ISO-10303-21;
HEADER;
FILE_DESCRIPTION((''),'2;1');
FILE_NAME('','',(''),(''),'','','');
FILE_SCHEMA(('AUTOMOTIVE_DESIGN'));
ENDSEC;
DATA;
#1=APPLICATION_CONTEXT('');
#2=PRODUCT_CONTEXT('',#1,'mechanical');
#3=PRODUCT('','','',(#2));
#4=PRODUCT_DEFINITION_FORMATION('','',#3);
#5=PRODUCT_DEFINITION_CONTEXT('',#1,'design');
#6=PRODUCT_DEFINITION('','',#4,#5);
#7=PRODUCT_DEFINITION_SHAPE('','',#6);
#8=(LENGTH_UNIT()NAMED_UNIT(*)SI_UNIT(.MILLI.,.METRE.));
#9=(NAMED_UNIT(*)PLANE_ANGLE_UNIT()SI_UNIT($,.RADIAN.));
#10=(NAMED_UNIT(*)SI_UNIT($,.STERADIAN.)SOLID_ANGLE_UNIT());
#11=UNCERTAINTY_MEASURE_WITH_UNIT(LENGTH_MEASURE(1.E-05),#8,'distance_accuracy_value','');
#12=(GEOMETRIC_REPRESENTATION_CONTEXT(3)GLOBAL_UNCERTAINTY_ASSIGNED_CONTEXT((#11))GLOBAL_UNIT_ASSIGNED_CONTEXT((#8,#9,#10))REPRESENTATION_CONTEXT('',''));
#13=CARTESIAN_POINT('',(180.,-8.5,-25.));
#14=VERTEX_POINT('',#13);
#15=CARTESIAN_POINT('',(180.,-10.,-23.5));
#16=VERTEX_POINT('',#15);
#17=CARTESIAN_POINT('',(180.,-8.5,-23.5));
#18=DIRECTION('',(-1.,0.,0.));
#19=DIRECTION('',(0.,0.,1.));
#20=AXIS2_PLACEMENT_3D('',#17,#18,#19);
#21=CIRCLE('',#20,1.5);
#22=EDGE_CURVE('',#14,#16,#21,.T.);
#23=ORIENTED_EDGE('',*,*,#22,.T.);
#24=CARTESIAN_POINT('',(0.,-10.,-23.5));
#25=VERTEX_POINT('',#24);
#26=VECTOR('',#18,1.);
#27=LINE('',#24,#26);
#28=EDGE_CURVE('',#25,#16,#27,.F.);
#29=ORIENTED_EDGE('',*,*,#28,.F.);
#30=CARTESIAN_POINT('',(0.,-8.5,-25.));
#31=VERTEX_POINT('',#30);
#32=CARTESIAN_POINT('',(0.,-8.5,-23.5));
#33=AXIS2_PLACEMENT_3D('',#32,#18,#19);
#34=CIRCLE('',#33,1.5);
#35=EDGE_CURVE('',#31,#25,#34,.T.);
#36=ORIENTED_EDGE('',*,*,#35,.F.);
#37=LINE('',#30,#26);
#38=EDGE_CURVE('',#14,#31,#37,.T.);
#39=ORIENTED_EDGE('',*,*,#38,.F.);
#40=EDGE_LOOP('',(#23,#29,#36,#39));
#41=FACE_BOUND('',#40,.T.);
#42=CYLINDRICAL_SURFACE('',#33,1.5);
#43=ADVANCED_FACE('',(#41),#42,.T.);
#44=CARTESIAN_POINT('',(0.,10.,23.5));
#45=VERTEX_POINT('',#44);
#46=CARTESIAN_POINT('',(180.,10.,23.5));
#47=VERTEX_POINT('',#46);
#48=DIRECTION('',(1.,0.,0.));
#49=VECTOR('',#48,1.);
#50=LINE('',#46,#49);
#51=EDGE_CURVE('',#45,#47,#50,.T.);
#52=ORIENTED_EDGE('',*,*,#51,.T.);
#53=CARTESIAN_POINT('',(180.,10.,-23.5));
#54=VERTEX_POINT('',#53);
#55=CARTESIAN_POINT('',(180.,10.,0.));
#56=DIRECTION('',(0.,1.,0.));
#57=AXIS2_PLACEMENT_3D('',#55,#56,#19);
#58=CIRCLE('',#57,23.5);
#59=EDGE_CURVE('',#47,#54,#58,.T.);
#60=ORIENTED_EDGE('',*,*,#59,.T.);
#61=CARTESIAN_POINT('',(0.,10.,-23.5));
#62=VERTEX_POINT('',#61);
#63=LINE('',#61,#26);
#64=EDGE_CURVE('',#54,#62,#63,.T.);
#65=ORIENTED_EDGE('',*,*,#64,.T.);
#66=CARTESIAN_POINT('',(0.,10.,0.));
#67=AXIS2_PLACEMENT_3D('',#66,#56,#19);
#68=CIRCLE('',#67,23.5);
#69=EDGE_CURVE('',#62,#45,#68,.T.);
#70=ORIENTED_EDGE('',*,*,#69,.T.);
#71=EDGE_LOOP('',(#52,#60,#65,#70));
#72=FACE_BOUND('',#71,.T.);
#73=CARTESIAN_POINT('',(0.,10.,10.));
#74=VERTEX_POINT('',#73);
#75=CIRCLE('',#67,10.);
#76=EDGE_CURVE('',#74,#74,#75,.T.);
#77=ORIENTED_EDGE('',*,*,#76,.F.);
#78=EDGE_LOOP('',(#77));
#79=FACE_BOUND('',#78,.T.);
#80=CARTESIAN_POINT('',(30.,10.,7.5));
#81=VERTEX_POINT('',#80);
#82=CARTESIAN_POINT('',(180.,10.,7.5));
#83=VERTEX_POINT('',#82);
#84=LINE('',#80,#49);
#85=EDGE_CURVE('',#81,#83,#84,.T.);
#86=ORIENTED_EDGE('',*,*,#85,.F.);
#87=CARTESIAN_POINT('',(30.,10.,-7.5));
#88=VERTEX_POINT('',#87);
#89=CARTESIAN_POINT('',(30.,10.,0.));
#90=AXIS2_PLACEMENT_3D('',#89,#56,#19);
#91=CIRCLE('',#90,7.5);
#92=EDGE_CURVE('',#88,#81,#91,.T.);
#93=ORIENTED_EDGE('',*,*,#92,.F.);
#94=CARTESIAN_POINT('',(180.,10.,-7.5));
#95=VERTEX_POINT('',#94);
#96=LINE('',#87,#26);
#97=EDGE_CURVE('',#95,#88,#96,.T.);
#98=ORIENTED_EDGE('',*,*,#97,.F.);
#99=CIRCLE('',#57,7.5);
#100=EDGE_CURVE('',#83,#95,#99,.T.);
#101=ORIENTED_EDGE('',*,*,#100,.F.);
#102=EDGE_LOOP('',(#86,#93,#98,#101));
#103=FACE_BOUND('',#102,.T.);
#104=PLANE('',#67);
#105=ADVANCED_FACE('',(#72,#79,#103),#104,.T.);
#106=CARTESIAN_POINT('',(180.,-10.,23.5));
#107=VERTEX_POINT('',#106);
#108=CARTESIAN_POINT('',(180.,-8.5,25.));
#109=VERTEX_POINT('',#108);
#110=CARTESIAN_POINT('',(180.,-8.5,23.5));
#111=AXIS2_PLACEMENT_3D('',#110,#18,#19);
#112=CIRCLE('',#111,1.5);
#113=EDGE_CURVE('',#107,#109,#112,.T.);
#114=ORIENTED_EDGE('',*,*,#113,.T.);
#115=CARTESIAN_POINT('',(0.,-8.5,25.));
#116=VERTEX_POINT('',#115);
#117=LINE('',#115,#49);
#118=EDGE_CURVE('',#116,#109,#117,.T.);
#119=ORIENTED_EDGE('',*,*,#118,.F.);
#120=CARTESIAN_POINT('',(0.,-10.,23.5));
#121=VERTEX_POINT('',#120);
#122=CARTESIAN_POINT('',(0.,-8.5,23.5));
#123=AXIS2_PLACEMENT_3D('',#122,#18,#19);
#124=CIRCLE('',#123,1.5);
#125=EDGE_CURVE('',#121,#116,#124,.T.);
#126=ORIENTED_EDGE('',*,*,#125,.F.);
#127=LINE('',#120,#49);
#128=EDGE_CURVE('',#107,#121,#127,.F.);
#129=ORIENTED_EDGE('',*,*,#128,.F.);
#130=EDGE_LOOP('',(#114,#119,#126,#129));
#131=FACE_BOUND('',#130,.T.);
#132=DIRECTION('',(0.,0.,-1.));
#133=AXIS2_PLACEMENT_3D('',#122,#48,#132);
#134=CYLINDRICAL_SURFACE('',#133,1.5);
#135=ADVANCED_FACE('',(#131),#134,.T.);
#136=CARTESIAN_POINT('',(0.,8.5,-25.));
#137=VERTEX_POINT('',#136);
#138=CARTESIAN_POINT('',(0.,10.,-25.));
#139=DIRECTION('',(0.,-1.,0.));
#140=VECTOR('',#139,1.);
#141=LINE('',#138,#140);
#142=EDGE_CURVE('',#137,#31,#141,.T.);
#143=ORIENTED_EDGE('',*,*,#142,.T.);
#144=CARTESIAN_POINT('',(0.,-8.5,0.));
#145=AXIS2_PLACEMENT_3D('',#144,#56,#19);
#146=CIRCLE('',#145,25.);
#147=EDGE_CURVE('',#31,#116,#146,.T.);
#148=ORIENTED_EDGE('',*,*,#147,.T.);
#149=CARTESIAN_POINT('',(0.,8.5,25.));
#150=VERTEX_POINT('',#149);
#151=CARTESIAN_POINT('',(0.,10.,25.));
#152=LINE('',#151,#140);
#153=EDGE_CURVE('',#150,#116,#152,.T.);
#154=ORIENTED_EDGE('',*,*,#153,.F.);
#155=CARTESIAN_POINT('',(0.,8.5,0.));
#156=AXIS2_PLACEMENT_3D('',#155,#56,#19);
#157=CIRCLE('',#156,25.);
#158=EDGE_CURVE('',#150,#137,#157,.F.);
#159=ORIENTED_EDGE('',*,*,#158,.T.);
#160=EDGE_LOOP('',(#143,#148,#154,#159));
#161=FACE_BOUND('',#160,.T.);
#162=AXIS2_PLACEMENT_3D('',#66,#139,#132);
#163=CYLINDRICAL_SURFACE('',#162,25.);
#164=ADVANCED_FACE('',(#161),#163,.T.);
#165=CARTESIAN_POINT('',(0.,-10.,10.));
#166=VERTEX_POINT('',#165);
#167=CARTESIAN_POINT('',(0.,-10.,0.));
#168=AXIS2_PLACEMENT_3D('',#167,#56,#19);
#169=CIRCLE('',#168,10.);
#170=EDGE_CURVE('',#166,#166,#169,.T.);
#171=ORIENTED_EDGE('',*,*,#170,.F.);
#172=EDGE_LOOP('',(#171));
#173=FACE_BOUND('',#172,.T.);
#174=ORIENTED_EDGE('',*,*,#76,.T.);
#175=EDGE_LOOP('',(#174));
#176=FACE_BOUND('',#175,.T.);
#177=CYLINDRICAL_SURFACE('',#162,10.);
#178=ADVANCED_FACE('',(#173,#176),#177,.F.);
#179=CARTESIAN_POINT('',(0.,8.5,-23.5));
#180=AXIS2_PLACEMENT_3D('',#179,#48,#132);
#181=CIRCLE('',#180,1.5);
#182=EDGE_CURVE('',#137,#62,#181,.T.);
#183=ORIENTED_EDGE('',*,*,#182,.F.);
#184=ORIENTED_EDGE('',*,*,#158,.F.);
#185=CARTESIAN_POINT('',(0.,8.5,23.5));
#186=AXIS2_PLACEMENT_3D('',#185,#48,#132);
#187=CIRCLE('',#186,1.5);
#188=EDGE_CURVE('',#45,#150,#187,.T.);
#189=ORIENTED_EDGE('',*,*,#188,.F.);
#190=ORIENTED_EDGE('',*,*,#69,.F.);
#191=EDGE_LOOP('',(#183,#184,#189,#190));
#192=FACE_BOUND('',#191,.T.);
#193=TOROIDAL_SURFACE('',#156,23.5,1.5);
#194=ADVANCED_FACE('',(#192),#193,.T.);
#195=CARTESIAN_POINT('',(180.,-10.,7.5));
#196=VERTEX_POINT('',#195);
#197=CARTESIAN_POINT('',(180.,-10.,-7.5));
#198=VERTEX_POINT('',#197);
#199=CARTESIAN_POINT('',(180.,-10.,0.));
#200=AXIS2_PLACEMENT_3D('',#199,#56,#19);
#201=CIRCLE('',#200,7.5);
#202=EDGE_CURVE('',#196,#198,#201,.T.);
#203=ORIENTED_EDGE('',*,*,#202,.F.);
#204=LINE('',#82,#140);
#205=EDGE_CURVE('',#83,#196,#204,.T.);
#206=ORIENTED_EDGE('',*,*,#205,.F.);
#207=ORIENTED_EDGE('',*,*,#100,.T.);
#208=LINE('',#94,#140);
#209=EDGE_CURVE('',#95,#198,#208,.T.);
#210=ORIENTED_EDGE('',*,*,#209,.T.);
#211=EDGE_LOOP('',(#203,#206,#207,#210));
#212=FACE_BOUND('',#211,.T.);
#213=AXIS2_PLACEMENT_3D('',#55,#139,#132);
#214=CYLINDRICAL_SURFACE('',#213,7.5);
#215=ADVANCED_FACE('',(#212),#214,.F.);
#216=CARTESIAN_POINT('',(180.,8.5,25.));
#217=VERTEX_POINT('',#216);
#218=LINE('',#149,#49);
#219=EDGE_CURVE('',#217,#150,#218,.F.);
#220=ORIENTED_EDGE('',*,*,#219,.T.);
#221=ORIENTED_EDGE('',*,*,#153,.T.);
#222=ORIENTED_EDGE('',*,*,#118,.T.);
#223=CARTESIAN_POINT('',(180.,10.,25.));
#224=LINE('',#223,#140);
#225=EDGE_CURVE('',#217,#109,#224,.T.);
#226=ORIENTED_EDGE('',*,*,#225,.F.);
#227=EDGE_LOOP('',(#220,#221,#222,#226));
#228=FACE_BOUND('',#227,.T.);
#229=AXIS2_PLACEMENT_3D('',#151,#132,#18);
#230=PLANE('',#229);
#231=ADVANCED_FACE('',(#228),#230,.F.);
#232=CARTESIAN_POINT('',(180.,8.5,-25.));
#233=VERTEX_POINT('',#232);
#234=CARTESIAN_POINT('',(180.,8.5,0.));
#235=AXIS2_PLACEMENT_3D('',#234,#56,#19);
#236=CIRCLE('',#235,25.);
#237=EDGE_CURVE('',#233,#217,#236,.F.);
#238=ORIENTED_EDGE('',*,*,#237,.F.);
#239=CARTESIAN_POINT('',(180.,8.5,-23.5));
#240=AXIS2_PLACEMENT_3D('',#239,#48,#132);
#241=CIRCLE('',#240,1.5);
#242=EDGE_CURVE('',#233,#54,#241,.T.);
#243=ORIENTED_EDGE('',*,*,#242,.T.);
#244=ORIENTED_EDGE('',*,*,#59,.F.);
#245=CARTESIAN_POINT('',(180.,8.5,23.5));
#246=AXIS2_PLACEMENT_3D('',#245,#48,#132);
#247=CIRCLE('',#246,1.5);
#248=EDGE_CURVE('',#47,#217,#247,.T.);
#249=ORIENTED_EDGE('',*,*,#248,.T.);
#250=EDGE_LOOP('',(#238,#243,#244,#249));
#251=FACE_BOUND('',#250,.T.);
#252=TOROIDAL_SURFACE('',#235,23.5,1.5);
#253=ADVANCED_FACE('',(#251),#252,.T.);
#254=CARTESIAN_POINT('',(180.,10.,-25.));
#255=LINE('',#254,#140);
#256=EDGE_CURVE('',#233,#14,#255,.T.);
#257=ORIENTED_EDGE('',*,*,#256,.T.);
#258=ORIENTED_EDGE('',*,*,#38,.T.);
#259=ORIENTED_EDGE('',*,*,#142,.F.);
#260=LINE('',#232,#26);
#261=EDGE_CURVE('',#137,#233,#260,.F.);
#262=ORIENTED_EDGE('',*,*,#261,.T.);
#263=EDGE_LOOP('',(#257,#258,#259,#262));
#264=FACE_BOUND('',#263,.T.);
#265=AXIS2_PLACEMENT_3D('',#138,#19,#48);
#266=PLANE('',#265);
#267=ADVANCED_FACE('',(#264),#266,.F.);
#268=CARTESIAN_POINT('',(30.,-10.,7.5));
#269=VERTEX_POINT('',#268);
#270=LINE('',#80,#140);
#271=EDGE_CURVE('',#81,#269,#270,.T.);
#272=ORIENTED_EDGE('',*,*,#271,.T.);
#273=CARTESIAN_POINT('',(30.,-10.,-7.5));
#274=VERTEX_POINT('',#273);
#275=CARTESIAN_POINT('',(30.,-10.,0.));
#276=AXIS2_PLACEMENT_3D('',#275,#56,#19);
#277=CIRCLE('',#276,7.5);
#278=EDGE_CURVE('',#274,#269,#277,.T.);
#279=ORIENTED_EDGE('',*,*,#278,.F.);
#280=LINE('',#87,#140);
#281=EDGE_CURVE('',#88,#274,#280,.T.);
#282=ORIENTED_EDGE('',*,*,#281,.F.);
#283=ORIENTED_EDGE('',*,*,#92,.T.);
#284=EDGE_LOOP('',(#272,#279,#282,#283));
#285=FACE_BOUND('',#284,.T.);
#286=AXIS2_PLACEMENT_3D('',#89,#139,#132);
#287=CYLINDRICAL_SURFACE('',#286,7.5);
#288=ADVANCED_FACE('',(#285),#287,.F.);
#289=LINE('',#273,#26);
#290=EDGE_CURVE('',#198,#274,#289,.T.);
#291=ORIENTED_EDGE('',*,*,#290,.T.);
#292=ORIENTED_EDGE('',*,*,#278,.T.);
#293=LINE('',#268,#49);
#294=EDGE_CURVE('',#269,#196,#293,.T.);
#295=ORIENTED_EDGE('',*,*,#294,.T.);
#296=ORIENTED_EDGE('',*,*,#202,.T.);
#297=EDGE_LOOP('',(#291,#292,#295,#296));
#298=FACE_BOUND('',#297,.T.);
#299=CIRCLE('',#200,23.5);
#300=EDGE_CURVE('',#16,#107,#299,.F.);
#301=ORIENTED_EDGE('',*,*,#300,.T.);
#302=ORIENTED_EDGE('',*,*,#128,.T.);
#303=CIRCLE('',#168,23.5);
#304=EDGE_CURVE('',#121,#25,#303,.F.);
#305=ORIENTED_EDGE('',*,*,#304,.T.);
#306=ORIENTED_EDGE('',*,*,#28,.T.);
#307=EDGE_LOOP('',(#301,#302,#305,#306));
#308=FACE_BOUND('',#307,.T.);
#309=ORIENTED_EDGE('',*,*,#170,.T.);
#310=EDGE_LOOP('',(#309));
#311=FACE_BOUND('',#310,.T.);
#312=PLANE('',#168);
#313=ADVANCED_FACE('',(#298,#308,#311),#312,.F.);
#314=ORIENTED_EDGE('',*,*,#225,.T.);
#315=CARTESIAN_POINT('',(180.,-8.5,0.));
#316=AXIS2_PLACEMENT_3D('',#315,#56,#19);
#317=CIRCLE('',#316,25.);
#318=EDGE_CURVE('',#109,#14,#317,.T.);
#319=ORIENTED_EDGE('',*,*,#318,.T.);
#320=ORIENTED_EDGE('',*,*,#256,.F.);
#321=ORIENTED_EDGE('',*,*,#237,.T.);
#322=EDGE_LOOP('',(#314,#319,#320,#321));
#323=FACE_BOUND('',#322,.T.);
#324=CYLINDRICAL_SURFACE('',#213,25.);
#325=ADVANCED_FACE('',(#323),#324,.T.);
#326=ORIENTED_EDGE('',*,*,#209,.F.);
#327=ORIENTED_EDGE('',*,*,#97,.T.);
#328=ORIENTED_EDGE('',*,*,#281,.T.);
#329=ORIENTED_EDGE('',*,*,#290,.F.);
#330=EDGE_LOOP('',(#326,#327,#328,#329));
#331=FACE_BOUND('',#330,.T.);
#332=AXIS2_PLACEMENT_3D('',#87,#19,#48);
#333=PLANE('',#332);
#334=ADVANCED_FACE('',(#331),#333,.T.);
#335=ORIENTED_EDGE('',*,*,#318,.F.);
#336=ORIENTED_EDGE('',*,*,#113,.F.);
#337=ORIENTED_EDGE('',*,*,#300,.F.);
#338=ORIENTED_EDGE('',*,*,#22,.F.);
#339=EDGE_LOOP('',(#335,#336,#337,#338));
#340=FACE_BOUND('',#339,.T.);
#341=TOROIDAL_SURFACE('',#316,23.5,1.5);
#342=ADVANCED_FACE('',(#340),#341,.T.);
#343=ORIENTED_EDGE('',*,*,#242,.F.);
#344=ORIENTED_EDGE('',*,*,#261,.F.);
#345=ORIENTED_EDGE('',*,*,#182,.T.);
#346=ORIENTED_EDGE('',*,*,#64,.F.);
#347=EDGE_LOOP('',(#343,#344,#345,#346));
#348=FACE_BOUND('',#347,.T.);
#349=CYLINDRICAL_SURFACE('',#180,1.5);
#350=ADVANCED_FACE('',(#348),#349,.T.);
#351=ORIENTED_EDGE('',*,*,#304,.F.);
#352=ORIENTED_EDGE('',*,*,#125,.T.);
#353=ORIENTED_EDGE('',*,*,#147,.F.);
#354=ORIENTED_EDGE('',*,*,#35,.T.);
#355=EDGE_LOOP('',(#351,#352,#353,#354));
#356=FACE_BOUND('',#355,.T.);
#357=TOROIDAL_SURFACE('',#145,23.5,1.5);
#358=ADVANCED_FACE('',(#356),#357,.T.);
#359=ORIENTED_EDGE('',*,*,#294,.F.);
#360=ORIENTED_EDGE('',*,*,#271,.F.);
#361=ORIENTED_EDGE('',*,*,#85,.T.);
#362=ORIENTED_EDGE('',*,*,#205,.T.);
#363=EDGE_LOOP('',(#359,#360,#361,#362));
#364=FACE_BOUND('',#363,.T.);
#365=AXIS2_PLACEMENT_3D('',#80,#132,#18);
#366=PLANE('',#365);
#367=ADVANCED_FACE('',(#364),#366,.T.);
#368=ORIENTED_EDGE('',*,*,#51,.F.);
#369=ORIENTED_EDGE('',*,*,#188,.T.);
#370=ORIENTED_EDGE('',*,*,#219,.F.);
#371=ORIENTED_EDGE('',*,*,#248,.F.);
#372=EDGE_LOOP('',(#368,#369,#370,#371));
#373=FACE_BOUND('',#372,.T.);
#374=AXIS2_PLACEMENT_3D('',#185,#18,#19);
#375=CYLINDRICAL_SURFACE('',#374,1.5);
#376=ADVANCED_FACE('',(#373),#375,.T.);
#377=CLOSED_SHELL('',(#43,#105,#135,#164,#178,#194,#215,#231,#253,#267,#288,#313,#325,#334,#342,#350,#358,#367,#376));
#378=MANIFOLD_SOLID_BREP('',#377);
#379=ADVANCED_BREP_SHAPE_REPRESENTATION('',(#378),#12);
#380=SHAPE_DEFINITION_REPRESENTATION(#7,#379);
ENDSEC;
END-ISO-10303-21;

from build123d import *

# Parameters (mm, degrees)
SKETCH1_R           = 10
BOSS_EXTRUDE1_DEPTH = 10
FILLET1_R           = 1.5


with BuildPart() as part:
    # Sketch1 → Boss-Extrude1 (new, symmetric)
    with BuildSketch(Plane(origin=(0, 0, 0), x_dir=(1, 0, 0), z_dir=(0, 1, 0))):
        with BuildLine():
            Line((0, 25), (180, 25))
            ThreePointArc((180, 25), (205, 0), (180, -25))
            Line((180, -25), (0, -25))
            ThreePointArc((0, -25), (-25, 0), (0, 25))
        make_face()
        with Locations(Location((0, 0, 0), (0, 0, 270))):
            Circle(SKETCH1_R, mode=Mode.SUBTRACT)
        with BuildLine():
            Line((30, 7.5), (180, 7.5))
            ThreePointArc((180, 7.5), (187.5, 0), (180, -7.5))
            Line((180, -7.5), (30, -7.5))
            ThreePointArc((30, -7.5), (22.5, 0), (30, 7.5))
        make_face(mode=Mode.SUBTRACT)
    extrude(amount=BOSS_EXTRUDE1_DEPTH, both=True)

    # Fillet1
    fillet1_edges = [part.edges().sort_by_distance(p)[0] for p in [
        (205, 10, 0),
        (90, 10, -25),
        (-25, 10, 0),
        (90, -10, -25),
        (205, -10, 0),
        (90, -10, 25),
        (-25, -10, 0),
        (90, 10, 25),
    ]]
    fillet(fillet1_edges, radius=FILLET1_R)


solid = part.part
